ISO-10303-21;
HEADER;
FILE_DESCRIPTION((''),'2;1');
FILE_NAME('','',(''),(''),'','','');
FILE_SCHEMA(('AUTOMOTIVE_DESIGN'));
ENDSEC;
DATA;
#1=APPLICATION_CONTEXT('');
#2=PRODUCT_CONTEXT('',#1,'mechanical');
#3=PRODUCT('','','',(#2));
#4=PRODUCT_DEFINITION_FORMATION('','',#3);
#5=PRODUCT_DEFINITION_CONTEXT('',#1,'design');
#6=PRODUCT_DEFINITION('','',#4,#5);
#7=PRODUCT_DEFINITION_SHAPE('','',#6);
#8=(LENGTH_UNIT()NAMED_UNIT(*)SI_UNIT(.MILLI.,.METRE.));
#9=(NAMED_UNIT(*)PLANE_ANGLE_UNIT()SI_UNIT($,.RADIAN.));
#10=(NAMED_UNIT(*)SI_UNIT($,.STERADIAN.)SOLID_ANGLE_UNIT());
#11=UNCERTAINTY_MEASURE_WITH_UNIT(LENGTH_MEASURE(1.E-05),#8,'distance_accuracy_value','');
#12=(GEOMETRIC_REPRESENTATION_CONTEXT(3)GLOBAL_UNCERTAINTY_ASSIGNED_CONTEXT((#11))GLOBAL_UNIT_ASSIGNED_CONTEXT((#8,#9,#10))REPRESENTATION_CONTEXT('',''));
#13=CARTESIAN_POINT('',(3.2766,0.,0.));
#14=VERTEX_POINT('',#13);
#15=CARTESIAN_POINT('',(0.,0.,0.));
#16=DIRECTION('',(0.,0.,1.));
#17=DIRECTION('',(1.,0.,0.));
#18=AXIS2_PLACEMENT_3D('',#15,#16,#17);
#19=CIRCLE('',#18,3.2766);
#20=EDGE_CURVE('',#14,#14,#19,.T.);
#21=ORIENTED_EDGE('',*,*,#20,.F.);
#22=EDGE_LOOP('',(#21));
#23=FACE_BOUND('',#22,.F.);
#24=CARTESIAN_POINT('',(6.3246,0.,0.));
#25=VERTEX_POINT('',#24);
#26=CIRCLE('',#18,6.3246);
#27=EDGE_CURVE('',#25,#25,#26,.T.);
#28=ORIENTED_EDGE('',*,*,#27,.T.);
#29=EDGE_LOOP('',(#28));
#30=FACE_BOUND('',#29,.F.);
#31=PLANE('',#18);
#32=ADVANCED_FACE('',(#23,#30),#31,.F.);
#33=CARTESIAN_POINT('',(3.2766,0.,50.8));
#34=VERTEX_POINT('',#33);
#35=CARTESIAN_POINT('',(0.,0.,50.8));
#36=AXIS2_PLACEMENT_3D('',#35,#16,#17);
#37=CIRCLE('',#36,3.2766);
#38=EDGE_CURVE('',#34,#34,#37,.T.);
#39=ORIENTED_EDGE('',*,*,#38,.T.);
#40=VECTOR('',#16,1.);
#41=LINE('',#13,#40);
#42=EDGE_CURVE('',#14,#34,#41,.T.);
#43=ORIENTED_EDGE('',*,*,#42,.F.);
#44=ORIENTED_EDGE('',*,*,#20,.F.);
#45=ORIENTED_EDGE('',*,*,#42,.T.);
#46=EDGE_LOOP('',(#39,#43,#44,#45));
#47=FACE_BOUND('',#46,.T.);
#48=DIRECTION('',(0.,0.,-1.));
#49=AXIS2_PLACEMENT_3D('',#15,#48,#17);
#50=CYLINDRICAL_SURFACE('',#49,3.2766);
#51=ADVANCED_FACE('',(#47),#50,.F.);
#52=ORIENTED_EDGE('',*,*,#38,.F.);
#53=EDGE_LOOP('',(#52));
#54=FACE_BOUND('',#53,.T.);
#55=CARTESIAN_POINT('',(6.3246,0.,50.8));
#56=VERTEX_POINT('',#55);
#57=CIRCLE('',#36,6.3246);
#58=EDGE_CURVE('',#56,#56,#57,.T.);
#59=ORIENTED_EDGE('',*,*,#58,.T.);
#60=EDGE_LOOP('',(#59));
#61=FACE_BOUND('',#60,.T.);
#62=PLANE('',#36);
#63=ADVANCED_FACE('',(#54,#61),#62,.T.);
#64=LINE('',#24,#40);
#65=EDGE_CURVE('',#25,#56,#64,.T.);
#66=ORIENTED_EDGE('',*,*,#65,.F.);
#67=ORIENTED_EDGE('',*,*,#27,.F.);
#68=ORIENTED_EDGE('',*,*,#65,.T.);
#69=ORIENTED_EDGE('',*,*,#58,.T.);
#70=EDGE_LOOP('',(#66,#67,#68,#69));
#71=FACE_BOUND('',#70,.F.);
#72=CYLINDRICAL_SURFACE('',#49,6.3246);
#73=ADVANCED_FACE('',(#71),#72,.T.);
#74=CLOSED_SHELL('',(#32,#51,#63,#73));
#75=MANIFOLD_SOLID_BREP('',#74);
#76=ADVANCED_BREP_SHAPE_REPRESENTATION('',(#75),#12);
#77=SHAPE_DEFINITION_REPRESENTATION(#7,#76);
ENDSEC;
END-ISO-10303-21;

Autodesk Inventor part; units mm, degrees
ref_plane "YZ Plane" through (0, 0, 0) normal (1, 0, 0) x (0, 1, 0)
ref_plane "XZ Plane" through (0, 0, 0) normal (0, 1, 0) x (-1, 0, 0)
ref_plane "XY Plane" through (0, 0, 0) normal (0, 0, 1) x (1, 0, 0)
sketch "Sketch1" plane through (0, 0, 0) normal (0, 0, 1) x (1, 0, 0)
  circle A0 centre (0, 0) radius 3.2766
  circle A1 centre (0, 0) radius 6.3246
  dimension "d0" = 50.8
extrude "Extrusion1" add sketch "Sketch1" along normal blind 50.8
properties part number "2AM-17-P-4201 - tube shaft" material "Aluminum 6061"
